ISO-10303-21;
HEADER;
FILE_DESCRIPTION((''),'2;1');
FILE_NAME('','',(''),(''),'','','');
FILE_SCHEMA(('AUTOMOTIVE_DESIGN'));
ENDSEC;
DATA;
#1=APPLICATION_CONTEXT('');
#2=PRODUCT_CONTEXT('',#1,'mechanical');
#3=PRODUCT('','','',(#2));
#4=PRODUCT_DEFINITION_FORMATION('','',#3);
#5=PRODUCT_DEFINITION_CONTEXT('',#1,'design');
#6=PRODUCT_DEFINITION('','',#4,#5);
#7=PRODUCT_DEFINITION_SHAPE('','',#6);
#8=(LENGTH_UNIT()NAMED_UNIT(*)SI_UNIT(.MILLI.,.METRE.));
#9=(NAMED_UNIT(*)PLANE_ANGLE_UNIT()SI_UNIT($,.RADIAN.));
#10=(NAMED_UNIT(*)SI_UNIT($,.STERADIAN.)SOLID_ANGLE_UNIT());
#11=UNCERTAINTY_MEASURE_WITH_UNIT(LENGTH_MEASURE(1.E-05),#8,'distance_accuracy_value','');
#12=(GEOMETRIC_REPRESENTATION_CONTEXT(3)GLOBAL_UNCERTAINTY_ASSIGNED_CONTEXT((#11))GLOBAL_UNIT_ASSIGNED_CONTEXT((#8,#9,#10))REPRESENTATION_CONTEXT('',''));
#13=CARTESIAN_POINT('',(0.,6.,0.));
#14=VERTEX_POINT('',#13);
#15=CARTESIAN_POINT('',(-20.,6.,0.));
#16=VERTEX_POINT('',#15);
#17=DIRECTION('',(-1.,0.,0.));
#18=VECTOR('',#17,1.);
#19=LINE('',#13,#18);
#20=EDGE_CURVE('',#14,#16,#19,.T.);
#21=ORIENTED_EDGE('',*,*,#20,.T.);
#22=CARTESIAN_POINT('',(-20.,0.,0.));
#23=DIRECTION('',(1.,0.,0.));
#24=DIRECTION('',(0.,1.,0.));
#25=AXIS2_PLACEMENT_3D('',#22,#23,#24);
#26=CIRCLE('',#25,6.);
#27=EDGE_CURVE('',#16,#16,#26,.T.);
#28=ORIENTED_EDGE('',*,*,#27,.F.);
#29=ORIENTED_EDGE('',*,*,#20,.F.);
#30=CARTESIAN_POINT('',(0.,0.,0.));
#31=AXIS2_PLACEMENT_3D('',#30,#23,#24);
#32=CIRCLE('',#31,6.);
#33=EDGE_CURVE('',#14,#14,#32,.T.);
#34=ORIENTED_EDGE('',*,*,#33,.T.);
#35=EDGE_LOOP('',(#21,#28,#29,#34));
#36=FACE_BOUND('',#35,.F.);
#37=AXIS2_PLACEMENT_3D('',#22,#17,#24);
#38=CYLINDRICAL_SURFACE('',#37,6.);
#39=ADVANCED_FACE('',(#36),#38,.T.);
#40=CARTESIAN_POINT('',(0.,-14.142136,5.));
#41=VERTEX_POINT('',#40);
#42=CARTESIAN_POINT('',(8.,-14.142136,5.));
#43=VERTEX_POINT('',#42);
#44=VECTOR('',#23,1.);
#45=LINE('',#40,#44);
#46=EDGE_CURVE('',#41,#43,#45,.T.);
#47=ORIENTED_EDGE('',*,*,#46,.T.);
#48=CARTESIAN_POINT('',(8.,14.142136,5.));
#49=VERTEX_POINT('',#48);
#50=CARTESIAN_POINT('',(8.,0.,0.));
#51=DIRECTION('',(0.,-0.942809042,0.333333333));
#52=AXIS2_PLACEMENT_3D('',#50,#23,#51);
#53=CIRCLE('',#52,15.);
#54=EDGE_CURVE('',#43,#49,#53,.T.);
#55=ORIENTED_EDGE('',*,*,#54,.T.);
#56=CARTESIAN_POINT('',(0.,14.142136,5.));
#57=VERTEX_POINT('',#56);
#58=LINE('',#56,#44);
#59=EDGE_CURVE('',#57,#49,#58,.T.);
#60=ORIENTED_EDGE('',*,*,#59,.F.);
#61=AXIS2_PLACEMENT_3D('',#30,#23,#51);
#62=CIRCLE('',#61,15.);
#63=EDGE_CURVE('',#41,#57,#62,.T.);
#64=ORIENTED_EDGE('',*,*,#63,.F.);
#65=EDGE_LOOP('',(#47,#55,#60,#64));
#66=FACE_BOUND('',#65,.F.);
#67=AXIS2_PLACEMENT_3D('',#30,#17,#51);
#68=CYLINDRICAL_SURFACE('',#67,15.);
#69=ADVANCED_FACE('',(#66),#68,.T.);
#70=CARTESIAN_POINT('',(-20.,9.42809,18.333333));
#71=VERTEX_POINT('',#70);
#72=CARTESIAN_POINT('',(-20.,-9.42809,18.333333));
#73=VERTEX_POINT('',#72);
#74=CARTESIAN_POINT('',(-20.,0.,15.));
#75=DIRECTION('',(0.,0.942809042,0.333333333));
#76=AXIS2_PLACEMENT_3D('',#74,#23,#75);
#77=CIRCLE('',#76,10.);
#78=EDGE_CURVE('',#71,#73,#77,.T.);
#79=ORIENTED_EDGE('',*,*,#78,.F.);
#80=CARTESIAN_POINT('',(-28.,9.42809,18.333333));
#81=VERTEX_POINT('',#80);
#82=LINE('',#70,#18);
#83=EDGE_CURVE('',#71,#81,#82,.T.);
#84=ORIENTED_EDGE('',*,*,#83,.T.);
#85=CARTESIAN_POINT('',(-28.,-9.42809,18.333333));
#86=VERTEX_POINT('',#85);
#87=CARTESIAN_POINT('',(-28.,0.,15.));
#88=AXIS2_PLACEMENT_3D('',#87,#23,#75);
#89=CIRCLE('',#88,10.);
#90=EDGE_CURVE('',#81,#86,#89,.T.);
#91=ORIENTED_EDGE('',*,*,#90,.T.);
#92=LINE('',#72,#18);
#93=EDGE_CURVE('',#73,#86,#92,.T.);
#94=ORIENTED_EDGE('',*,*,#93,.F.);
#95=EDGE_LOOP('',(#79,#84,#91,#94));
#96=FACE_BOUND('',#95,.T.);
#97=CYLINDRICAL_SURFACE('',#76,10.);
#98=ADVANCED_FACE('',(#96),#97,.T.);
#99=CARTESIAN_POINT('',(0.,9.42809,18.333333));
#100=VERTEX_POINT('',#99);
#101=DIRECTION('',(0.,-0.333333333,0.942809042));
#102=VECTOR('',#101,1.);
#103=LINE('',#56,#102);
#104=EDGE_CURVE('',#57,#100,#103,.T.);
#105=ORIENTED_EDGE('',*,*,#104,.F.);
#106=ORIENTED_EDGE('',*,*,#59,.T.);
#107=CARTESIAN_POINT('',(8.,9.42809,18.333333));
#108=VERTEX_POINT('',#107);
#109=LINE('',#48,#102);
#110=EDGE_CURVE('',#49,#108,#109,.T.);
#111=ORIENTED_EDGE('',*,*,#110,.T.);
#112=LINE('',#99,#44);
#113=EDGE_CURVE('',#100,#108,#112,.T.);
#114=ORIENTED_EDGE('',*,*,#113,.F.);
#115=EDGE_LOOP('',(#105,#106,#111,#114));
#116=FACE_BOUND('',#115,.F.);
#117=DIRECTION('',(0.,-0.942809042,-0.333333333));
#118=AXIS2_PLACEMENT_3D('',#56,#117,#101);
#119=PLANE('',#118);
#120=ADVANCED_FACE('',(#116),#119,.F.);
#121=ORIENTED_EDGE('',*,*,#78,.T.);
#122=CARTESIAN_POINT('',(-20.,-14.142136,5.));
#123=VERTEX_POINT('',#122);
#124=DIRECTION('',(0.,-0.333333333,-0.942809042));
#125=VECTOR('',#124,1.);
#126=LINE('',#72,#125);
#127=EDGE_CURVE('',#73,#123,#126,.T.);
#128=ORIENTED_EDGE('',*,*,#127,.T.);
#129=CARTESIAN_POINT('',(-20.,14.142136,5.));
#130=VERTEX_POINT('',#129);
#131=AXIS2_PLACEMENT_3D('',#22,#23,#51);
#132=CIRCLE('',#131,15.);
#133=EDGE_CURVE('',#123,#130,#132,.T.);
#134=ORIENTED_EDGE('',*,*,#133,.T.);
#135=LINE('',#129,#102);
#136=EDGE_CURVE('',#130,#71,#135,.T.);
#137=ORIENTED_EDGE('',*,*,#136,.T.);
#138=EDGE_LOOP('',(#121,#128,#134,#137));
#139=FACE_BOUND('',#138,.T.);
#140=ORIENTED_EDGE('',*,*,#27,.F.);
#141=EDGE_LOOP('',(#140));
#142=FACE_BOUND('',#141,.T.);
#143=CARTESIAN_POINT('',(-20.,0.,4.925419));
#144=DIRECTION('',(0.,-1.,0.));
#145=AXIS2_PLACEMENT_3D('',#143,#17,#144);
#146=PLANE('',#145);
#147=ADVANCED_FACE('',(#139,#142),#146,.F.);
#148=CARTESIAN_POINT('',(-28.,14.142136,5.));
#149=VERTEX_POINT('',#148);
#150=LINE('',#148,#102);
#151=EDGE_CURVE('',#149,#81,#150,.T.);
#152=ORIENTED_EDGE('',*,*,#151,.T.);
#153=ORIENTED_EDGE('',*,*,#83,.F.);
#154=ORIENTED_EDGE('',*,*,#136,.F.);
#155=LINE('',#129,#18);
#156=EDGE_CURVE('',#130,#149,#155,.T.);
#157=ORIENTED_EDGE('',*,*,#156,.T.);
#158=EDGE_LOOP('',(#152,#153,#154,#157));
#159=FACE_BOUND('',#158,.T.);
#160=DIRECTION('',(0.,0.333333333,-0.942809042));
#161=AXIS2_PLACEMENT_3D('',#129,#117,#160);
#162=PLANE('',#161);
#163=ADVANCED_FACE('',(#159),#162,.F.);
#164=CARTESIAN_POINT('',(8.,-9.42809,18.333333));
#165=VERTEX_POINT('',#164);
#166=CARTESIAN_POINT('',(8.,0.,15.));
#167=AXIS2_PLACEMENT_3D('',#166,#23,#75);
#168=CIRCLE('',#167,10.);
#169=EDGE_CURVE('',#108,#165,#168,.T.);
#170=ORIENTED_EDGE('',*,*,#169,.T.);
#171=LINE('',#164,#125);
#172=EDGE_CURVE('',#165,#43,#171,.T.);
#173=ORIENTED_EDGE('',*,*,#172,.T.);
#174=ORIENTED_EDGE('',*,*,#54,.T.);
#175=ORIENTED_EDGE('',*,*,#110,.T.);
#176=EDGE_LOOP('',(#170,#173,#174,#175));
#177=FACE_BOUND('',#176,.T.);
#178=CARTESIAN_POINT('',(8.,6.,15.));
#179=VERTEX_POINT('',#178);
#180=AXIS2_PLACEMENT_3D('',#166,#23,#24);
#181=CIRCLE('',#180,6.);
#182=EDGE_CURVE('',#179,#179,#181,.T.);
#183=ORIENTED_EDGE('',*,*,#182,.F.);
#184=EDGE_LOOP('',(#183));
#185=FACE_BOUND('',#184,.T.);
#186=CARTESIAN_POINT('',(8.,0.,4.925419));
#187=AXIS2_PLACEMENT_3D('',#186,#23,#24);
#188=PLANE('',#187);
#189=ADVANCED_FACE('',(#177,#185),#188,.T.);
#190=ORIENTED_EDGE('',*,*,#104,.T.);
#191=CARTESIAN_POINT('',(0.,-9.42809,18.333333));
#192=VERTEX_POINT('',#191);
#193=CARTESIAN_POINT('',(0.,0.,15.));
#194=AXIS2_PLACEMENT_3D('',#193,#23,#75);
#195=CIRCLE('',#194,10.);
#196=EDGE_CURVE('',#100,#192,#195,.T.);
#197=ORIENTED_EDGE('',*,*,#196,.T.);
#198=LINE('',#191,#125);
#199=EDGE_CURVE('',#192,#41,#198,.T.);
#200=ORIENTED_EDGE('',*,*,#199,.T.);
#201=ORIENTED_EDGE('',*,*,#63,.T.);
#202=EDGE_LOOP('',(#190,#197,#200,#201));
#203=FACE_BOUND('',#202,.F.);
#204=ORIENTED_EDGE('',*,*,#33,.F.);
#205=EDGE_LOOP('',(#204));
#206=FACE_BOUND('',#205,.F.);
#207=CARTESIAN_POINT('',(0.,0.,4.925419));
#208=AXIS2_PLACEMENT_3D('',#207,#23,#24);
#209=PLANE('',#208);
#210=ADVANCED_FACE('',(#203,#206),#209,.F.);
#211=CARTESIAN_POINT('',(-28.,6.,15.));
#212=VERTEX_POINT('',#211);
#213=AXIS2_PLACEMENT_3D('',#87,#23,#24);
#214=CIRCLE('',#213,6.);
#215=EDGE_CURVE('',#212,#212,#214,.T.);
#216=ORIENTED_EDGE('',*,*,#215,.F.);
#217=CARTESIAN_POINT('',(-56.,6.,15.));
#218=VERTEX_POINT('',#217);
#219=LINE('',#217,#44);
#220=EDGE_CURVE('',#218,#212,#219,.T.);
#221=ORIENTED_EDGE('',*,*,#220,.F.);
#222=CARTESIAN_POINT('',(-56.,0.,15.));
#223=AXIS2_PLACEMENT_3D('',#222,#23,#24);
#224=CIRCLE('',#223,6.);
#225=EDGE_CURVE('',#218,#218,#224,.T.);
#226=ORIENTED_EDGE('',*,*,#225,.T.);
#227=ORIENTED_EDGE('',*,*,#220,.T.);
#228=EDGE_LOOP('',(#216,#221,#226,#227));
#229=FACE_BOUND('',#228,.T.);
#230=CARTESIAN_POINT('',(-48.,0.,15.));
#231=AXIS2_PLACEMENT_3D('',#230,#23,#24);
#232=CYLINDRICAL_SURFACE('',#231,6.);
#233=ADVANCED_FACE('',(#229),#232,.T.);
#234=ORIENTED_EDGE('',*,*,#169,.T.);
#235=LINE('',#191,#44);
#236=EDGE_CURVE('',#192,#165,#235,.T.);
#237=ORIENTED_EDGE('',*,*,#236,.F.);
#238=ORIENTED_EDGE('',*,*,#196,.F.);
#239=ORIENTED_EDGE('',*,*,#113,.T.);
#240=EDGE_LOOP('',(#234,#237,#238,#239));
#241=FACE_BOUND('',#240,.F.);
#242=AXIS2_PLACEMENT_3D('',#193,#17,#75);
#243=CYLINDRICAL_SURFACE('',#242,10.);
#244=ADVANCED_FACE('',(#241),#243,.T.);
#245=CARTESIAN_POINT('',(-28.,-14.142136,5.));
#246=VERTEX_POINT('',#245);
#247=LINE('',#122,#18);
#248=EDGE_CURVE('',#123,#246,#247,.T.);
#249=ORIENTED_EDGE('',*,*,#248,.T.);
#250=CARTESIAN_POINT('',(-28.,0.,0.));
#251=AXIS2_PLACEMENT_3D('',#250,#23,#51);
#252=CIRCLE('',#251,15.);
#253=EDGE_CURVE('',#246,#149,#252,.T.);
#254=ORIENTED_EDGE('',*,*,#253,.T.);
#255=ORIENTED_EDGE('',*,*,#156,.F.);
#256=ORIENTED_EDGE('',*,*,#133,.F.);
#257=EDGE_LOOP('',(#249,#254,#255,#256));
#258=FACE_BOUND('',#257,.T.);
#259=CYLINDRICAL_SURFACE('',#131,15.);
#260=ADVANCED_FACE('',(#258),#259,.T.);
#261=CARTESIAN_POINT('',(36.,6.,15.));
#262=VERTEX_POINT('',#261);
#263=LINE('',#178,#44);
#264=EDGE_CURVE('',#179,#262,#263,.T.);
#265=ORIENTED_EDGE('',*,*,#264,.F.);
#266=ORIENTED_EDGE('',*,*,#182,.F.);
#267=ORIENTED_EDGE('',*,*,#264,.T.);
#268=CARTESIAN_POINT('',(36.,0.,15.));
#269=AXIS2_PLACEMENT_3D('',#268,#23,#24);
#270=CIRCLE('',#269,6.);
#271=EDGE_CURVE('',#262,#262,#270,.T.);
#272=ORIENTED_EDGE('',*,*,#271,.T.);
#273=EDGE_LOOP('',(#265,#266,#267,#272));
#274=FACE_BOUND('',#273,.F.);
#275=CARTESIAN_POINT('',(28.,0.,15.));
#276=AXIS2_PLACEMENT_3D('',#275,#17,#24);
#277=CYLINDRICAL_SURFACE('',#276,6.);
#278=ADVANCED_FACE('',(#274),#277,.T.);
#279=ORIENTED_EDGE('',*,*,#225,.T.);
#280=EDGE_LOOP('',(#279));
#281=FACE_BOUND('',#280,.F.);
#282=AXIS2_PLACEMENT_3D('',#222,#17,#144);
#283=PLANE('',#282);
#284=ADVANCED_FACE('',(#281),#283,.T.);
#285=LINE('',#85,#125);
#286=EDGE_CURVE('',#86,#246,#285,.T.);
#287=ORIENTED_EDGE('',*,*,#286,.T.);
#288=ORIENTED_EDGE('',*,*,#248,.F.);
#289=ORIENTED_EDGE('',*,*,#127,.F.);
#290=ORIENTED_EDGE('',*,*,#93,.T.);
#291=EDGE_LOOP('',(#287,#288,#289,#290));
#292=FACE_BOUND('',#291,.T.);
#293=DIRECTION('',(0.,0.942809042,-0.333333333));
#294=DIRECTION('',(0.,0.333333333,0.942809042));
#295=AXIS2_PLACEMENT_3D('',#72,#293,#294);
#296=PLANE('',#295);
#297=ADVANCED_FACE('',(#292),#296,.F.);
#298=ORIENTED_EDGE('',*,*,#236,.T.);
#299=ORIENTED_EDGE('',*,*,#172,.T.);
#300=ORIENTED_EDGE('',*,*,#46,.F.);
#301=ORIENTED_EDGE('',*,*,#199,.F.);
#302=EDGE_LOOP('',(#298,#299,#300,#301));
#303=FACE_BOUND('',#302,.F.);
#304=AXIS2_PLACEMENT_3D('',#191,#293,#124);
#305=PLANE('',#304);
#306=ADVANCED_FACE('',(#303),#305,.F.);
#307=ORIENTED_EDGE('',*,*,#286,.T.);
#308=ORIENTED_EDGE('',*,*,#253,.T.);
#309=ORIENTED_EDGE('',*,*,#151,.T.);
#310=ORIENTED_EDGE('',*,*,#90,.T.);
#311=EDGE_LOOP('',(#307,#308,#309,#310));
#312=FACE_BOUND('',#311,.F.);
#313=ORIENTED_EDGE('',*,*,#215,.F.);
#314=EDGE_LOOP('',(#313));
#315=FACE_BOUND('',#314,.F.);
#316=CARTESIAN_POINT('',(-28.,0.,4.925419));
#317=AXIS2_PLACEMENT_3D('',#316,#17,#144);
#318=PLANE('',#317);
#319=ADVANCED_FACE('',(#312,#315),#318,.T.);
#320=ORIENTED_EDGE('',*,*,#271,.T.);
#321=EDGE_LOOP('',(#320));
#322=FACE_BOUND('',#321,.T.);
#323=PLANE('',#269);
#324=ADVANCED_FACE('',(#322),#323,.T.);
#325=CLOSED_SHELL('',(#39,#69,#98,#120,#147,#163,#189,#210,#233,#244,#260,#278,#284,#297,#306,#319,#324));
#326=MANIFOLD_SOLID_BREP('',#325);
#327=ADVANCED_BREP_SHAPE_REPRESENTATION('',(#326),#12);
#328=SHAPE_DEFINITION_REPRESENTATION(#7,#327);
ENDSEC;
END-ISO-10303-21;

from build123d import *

# Parameters (mm, degrees)
F0_R     = 6
F1_DEPTH = 8
F2_DEPTH = 10
F3_R     = 6
F4_DEPTH = 20
F7_DEPTH = 8
F8_DEPTH = 8


with BuildPart() as f1:
    # F0 (on Right) → F1 (new body)
    with BuildSketch(Plane.YZ):
        with BuildLine():
            Line((-9.4280904158, 18.3333333333), (-14.1421356237, 5))
            ThreePointArc((-14.1421356237, 5), (0, -15), (14.1421356237, 5))
            Line((14.1421356237, 5), (9.4280904158, 18.3333333333))
            ThreePointArc((9.4280904158, 18.3333333333), (0, 25), (-9.4280904158, 18.3333333333))
        make_face()
        Circle(F0_R, mode=Mode.SUBTRACT)
        Circle(F0_R)
    extrude(amount=F1_DEPTH)

    # F0 (on Right) → F2 (join)
    with BuildSketch(Plane.YZ):
        Circle(F0_R)
    extrude(amount=-F2_DEPTH)

    # F3 (on face) → F4 (join)
    with BuildSketch(Plane.YZ.offset(8)):
        with Locations((0, 15)):
            Circle(F3_R)
    extrude(amount=F4_DEPTH)

    # F6: F1 across plane


with BuildPart() as f1_1:
    add(f1.part)
    add(f1.part.mirror(Plane.YZ.offset(-10)))

    # F7 (add): a face of the model
    f7_faces = [f1_1.faces().sort_by_distance(p)[0] for p in [
        (28, 0, 15),
    ]]
    extrude(f7_faces, amount=F7_DEPTH)

    # F8 (add): a face of the model
    f8_faces = [f1_1.faces().sort_by_distance(p)[0] for p in [
        (-48, 0, 15),
    ]]
    extrude(f8_faces, amount=F8_DEPTH)


solid = f1_1.part
